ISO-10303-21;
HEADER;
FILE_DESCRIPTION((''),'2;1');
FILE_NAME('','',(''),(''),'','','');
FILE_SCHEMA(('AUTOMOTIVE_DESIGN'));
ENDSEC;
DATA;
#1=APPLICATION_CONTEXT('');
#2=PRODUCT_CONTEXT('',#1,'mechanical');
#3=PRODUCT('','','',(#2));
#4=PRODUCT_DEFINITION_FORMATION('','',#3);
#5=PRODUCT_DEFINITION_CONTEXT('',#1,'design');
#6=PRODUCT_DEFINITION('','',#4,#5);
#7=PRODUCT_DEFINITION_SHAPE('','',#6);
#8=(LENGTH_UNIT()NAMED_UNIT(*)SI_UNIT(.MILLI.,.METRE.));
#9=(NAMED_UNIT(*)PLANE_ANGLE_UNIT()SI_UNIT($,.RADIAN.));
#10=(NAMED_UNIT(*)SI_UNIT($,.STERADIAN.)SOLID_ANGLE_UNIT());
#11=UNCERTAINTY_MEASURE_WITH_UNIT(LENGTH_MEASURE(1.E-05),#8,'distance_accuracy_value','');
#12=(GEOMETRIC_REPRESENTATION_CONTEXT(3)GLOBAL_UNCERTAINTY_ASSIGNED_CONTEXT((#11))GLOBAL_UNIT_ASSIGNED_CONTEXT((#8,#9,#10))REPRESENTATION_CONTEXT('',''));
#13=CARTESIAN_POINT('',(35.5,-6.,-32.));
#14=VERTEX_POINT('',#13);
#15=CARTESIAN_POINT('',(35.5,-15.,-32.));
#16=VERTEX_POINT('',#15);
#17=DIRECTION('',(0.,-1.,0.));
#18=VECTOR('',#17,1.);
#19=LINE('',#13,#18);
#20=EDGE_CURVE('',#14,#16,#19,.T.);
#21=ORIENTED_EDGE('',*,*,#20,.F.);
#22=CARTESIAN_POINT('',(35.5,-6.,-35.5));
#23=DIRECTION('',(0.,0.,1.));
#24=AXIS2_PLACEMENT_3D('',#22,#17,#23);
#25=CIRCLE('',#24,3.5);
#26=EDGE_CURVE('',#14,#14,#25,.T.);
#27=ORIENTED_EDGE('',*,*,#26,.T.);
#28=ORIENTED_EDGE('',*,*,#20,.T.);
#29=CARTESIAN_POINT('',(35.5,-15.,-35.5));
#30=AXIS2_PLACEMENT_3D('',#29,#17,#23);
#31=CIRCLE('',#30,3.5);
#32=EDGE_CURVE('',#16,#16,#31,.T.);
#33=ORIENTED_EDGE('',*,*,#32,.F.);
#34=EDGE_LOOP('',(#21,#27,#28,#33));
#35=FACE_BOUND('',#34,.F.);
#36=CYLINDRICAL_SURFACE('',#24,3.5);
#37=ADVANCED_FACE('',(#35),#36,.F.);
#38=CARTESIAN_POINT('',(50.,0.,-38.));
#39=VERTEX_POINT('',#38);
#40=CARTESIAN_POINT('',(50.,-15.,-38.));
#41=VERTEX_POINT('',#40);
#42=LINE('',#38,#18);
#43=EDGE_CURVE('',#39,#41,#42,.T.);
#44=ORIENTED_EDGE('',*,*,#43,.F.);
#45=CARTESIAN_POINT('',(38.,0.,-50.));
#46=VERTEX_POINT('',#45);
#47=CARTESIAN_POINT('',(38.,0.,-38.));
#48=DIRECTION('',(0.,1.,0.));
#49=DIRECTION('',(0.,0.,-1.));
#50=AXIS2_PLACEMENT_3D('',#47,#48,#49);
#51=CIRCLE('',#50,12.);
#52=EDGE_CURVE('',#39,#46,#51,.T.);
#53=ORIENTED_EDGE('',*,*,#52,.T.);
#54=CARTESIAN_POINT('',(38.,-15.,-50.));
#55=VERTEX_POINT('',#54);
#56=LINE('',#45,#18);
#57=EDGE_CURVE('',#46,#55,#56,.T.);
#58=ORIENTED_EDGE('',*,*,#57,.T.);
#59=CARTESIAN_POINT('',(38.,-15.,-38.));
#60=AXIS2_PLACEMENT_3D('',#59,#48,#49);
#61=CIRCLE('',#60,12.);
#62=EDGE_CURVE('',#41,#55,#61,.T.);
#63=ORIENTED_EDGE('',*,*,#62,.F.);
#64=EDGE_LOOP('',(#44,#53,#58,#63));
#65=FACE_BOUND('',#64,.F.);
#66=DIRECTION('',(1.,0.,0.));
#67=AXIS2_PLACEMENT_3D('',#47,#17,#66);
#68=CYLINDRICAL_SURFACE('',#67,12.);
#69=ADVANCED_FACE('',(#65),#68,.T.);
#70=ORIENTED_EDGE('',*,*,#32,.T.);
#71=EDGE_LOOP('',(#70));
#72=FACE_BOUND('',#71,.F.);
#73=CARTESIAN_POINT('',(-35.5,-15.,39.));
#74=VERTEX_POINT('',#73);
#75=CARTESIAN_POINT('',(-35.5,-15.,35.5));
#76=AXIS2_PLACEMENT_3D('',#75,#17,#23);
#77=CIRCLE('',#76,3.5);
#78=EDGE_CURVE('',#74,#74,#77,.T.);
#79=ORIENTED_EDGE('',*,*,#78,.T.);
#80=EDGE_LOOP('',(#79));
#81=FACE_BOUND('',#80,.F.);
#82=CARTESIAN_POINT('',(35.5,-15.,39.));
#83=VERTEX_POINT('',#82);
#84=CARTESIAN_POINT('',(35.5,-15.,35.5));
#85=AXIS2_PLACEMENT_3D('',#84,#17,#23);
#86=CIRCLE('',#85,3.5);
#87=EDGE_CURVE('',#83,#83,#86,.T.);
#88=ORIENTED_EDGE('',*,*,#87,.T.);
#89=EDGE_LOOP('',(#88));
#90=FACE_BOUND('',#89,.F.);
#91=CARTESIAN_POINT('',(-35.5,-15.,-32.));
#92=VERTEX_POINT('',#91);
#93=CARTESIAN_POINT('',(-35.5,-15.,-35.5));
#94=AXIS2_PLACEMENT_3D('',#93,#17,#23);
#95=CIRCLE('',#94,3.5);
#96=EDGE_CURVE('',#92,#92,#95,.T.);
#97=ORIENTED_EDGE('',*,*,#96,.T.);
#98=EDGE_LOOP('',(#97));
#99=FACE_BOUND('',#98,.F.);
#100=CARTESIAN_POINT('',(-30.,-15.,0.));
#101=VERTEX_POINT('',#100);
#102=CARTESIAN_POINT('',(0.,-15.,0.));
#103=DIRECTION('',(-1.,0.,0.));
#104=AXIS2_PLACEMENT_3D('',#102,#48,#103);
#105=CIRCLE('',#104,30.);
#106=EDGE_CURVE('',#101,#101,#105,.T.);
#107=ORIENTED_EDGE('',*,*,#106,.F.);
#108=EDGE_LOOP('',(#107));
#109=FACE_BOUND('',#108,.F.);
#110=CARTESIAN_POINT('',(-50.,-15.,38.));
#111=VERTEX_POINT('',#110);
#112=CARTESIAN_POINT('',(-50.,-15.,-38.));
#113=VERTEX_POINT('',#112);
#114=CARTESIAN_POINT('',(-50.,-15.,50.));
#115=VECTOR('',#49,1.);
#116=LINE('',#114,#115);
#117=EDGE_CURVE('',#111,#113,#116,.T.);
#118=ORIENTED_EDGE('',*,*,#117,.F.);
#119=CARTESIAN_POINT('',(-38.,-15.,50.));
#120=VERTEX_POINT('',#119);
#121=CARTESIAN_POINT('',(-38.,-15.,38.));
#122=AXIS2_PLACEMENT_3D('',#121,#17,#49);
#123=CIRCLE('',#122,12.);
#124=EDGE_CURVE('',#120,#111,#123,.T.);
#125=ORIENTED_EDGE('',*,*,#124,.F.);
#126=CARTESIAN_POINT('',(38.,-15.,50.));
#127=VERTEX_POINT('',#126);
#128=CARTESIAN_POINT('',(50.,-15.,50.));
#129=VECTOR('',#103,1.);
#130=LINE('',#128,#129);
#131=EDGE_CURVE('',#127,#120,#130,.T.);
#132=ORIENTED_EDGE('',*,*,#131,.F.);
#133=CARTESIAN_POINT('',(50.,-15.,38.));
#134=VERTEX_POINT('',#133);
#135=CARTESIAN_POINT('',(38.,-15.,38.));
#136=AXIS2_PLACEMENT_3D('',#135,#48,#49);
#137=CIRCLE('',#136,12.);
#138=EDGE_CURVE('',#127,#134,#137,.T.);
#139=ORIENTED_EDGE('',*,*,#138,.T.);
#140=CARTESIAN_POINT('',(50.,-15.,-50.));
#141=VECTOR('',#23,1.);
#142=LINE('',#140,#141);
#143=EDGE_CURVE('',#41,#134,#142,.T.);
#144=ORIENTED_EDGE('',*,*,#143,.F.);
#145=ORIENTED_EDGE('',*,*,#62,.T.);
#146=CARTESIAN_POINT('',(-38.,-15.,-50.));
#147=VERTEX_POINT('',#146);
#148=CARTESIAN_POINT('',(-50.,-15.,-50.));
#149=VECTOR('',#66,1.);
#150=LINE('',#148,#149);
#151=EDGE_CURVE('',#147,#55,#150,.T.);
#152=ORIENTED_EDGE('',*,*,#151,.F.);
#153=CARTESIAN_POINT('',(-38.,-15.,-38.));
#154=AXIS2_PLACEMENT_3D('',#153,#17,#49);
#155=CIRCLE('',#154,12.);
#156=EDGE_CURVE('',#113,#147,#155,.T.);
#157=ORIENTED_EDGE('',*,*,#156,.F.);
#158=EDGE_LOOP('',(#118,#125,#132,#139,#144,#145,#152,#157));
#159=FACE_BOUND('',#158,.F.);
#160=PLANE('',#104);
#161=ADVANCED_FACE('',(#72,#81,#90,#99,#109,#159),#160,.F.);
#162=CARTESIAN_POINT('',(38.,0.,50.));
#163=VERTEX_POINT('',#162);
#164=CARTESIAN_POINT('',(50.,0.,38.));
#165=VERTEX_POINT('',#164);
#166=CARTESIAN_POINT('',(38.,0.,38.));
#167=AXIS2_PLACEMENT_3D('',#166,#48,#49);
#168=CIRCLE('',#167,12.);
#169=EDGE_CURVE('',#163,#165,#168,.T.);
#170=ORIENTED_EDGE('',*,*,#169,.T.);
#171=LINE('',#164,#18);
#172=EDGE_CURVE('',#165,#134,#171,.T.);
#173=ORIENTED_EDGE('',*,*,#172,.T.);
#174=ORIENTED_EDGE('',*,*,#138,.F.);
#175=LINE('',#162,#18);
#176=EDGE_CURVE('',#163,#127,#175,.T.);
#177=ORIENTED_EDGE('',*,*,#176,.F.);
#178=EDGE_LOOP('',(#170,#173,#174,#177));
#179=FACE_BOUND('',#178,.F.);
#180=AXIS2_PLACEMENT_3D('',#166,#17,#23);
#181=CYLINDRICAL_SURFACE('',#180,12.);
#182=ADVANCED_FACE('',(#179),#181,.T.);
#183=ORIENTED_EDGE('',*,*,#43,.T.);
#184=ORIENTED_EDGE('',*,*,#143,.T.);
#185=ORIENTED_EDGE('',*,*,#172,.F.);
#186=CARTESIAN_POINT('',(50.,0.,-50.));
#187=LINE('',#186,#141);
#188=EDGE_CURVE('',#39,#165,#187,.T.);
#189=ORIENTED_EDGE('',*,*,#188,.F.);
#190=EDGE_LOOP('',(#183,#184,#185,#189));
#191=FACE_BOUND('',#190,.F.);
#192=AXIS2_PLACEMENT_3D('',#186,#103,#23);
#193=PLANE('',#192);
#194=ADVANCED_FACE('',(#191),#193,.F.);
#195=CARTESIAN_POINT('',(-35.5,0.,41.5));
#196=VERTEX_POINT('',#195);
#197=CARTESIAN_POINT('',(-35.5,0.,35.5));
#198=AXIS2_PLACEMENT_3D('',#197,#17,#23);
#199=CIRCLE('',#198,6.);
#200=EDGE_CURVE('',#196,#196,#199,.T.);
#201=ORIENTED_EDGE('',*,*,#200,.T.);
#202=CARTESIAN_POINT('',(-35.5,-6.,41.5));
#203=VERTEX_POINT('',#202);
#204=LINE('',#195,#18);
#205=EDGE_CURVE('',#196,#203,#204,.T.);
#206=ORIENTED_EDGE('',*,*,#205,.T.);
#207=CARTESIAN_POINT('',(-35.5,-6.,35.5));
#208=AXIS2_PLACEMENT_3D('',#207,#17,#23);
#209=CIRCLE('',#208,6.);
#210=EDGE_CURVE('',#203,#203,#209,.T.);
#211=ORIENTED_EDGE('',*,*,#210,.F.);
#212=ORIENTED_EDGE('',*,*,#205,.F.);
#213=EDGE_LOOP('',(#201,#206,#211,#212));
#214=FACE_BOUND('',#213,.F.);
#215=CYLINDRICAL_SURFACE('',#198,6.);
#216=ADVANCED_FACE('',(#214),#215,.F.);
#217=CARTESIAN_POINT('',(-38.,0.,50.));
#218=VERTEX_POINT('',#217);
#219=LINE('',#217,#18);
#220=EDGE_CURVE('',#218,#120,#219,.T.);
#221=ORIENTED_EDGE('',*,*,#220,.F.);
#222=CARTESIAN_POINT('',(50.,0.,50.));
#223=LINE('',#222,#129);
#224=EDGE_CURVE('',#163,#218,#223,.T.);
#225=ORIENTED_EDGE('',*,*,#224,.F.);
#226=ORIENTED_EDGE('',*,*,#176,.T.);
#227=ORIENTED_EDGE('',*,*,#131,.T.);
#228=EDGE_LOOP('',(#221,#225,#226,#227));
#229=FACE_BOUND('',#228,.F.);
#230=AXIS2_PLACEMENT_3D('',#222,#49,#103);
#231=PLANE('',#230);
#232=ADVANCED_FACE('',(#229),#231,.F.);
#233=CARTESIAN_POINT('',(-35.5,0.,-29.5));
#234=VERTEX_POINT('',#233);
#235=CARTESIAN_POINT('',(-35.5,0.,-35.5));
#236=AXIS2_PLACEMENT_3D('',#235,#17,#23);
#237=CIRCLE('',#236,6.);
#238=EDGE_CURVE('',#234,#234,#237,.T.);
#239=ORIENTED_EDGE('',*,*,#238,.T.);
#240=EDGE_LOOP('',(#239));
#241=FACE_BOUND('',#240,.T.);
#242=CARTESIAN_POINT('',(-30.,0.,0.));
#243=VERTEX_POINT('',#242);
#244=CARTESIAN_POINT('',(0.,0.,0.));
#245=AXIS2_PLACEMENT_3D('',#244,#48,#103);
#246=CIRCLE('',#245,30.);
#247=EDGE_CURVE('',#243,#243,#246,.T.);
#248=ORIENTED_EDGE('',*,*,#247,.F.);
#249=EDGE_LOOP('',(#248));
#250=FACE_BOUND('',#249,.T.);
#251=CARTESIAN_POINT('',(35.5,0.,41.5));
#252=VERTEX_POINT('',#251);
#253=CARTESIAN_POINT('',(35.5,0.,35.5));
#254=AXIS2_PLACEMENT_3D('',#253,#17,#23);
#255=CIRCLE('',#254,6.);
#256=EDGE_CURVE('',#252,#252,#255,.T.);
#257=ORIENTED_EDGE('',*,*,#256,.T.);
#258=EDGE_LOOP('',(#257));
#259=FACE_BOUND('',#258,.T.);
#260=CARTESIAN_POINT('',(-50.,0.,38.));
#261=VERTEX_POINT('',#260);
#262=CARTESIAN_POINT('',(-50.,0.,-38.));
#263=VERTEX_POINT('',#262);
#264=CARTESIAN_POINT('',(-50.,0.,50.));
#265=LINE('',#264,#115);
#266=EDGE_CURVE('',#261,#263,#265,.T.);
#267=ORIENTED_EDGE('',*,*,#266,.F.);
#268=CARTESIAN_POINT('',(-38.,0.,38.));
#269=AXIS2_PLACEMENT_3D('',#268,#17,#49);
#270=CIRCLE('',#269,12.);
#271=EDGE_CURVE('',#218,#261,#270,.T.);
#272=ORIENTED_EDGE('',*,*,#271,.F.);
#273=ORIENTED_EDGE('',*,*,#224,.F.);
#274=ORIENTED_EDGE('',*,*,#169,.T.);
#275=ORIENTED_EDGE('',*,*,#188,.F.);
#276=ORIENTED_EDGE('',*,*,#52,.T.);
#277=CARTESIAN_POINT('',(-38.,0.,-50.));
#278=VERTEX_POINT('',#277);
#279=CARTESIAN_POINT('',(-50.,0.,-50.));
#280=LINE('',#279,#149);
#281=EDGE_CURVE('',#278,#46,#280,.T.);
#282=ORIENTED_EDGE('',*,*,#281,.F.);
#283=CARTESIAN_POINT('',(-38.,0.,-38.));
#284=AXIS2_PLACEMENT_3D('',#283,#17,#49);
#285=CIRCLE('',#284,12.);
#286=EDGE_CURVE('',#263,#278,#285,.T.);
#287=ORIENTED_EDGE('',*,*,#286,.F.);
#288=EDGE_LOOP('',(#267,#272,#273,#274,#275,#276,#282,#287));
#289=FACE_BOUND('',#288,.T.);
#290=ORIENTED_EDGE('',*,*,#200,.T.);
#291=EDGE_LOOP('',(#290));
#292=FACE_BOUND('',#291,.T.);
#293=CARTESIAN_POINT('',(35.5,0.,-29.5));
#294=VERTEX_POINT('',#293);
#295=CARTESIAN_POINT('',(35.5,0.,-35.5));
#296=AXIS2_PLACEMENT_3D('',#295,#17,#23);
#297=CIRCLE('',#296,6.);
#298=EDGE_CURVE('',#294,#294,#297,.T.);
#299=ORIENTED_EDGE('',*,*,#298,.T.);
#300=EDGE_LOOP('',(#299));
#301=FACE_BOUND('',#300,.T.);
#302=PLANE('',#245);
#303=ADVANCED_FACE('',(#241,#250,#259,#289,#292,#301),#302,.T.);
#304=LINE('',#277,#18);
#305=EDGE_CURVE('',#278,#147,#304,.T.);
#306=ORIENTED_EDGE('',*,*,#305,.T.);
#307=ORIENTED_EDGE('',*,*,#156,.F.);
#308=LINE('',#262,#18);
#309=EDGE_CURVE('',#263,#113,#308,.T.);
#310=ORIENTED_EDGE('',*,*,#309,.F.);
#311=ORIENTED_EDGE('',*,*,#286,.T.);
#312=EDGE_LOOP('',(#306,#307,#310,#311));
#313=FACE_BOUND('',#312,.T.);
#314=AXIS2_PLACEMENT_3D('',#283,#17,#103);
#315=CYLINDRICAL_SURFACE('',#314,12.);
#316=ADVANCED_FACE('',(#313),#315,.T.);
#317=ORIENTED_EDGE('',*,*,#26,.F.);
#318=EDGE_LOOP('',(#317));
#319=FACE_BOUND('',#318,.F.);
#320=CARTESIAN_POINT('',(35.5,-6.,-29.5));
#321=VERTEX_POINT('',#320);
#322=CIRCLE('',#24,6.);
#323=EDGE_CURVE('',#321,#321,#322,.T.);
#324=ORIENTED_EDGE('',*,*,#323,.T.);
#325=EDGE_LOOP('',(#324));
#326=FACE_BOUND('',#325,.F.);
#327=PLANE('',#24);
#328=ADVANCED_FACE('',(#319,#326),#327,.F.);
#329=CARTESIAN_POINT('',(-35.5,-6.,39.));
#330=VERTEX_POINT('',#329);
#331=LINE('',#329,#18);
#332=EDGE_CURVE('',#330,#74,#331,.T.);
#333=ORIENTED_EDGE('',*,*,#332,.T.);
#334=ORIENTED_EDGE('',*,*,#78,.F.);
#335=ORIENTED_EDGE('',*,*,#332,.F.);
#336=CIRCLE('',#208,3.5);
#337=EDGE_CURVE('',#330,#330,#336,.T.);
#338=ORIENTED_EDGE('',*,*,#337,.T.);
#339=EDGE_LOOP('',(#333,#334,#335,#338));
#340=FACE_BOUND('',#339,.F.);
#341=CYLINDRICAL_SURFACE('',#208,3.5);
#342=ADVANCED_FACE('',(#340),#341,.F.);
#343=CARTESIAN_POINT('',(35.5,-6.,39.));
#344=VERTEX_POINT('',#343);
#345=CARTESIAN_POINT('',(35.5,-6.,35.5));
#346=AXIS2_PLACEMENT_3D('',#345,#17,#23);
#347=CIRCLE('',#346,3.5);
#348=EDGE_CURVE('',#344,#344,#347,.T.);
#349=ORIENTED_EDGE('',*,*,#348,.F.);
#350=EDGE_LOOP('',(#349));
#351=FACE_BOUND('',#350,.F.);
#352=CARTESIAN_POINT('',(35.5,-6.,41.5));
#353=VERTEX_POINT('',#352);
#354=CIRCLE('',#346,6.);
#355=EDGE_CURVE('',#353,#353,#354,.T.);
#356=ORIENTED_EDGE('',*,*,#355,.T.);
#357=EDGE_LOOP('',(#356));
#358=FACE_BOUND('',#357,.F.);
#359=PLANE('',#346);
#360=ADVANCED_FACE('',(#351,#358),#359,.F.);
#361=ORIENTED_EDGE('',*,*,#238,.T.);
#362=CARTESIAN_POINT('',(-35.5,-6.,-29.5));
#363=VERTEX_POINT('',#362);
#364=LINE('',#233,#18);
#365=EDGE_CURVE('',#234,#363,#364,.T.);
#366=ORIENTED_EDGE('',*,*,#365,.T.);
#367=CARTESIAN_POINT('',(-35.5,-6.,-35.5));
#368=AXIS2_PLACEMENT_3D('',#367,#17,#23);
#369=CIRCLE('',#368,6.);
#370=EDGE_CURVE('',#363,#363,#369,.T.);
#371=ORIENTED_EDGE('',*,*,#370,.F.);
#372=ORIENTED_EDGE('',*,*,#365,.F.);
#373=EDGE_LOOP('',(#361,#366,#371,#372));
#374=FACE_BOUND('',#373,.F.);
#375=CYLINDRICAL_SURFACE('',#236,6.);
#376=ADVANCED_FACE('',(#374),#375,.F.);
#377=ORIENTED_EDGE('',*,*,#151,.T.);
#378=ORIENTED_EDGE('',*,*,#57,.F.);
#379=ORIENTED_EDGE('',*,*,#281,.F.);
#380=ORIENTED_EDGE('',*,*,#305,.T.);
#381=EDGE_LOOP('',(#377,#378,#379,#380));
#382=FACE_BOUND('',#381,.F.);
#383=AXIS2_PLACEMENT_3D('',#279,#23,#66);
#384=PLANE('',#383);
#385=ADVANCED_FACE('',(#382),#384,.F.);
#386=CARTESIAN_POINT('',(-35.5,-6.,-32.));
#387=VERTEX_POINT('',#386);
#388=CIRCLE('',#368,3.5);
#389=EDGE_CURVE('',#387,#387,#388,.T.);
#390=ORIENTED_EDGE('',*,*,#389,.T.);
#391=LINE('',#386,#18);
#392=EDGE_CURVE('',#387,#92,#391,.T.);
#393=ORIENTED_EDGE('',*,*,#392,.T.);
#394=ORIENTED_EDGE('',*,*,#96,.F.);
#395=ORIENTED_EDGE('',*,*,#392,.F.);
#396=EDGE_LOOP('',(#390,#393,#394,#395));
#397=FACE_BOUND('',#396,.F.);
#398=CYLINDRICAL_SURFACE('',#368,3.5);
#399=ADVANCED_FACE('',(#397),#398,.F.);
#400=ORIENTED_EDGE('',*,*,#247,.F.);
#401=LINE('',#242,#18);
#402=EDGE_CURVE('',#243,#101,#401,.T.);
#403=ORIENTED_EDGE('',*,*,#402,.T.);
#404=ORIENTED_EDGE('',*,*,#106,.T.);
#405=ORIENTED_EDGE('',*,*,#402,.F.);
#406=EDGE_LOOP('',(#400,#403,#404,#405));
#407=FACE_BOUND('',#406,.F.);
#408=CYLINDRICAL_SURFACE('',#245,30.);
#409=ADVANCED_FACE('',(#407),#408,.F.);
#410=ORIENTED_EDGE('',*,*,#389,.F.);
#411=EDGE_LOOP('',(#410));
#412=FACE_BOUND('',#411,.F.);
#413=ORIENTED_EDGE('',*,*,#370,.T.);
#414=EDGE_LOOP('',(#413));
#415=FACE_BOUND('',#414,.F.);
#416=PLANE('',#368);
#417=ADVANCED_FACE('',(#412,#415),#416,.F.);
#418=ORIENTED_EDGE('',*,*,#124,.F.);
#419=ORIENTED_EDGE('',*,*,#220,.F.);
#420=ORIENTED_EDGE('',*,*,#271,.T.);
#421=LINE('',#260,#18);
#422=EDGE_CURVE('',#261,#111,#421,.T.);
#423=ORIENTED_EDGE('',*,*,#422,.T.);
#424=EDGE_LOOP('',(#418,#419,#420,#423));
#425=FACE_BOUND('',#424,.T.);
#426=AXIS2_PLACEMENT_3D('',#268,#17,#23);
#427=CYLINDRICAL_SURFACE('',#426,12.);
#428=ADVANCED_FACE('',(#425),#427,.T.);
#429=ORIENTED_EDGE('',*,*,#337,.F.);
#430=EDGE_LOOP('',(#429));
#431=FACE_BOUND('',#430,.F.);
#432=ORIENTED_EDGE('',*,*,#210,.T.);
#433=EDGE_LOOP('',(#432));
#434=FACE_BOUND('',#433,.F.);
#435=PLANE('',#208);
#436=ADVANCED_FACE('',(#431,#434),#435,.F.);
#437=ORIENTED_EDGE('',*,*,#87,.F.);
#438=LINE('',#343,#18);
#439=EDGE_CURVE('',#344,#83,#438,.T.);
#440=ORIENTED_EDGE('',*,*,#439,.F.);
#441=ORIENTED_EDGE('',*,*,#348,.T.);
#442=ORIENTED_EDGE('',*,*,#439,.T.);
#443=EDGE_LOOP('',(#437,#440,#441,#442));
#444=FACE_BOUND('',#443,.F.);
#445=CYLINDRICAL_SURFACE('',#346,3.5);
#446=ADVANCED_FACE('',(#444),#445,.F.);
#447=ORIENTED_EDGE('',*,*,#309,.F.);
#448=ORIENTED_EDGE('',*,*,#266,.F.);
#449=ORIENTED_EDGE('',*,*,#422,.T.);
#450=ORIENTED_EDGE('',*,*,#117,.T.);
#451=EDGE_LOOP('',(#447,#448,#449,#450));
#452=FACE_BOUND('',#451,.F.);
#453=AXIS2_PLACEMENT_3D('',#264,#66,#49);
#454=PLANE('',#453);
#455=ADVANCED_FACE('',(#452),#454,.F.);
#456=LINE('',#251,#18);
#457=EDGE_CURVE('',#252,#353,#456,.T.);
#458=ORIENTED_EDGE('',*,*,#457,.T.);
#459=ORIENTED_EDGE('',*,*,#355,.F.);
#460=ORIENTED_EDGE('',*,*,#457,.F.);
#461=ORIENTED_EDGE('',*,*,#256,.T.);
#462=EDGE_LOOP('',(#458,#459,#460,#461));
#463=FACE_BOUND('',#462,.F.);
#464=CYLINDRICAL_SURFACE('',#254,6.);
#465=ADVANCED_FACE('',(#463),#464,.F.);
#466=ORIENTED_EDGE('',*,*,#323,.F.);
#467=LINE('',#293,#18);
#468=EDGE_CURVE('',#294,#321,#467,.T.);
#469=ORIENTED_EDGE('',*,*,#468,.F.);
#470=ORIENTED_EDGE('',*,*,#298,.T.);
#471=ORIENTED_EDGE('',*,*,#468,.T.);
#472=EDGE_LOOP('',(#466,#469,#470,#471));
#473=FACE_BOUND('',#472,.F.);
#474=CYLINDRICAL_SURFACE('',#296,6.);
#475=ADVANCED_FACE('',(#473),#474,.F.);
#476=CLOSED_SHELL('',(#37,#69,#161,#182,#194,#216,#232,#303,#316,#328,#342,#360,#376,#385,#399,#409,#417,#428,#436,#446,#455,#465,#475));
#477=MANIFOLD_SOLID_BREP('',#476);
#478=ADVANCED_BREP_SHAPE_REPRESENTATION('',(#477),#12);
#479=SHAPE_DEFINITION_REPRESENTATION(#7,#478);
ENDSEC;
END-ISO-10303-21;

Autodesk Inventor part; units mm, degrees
ref_plane "YZ Plane" through (0, 0, 0) normal (1, 0, 0) x (0, 1, 0)
ref_plane "XZ Plane" through (0, 0, 0) normal (0, 1, 0) x (-1, 0, 0)
ref_plane "XY Plane" through (0, 0, 0) normal (0, 0, 1) x (1, 0, 0)
sketch "Sketch1" plane through (0, 0, 0) normal (0, 1, 0) x (-1, 0, 0)
  line L0 (-50, 50) -> (50, 50)
  line L1 (50, 50) -> (50, -50)
  line L2 (50, -50) -> (-50, -50)
  line L3 (-50, -50) -> (-50, 50)
  line L4 (-50, 50) -> (50, -50) construction
  line L5 (50, 50) -> (-50, -50) construction
  line L6 (-35.5, 35.5) -> (35.5, 35.5) construction
  line L7 (35.5, 35.5) -> (35.5, -35.5) construction
  line L8 (35.5, -35.5) -> (-35.5, -35.5) construction
  line L9 (-35.5, -35.5) -> (-35.5, 35.5) construction
  line L10 (-35.5, 35.5) -> (35.5, -35.5) construction
  line L11 (35.5, 35.5) -> (-35.5, -35.5) construction
  circle A0 centre (0, 0) radius 30
  dimension "d0" = 100
  dimension "d1" = 71
  dimension "d2" = 60
extrude "Extrusion1" add sketch "Sketch1" against normal blind 15
hole "Hole1" at (-35.5, 0, -35.5) at (35.5, 0, -35.5) at (35.5, 0, 35.5) at (-35.5, 0, 35.5) direction (0, -1, 0) diameter 7 end through all counterbore diameter 12 counterbore depth 6
fillet "Fillet1" radius 12 4 edges at (-50, -7.5, 50) (-50, -7.5, -50) (50, -7.5, -50) (50, -7.5, 50)
properties part number "CamTest"
